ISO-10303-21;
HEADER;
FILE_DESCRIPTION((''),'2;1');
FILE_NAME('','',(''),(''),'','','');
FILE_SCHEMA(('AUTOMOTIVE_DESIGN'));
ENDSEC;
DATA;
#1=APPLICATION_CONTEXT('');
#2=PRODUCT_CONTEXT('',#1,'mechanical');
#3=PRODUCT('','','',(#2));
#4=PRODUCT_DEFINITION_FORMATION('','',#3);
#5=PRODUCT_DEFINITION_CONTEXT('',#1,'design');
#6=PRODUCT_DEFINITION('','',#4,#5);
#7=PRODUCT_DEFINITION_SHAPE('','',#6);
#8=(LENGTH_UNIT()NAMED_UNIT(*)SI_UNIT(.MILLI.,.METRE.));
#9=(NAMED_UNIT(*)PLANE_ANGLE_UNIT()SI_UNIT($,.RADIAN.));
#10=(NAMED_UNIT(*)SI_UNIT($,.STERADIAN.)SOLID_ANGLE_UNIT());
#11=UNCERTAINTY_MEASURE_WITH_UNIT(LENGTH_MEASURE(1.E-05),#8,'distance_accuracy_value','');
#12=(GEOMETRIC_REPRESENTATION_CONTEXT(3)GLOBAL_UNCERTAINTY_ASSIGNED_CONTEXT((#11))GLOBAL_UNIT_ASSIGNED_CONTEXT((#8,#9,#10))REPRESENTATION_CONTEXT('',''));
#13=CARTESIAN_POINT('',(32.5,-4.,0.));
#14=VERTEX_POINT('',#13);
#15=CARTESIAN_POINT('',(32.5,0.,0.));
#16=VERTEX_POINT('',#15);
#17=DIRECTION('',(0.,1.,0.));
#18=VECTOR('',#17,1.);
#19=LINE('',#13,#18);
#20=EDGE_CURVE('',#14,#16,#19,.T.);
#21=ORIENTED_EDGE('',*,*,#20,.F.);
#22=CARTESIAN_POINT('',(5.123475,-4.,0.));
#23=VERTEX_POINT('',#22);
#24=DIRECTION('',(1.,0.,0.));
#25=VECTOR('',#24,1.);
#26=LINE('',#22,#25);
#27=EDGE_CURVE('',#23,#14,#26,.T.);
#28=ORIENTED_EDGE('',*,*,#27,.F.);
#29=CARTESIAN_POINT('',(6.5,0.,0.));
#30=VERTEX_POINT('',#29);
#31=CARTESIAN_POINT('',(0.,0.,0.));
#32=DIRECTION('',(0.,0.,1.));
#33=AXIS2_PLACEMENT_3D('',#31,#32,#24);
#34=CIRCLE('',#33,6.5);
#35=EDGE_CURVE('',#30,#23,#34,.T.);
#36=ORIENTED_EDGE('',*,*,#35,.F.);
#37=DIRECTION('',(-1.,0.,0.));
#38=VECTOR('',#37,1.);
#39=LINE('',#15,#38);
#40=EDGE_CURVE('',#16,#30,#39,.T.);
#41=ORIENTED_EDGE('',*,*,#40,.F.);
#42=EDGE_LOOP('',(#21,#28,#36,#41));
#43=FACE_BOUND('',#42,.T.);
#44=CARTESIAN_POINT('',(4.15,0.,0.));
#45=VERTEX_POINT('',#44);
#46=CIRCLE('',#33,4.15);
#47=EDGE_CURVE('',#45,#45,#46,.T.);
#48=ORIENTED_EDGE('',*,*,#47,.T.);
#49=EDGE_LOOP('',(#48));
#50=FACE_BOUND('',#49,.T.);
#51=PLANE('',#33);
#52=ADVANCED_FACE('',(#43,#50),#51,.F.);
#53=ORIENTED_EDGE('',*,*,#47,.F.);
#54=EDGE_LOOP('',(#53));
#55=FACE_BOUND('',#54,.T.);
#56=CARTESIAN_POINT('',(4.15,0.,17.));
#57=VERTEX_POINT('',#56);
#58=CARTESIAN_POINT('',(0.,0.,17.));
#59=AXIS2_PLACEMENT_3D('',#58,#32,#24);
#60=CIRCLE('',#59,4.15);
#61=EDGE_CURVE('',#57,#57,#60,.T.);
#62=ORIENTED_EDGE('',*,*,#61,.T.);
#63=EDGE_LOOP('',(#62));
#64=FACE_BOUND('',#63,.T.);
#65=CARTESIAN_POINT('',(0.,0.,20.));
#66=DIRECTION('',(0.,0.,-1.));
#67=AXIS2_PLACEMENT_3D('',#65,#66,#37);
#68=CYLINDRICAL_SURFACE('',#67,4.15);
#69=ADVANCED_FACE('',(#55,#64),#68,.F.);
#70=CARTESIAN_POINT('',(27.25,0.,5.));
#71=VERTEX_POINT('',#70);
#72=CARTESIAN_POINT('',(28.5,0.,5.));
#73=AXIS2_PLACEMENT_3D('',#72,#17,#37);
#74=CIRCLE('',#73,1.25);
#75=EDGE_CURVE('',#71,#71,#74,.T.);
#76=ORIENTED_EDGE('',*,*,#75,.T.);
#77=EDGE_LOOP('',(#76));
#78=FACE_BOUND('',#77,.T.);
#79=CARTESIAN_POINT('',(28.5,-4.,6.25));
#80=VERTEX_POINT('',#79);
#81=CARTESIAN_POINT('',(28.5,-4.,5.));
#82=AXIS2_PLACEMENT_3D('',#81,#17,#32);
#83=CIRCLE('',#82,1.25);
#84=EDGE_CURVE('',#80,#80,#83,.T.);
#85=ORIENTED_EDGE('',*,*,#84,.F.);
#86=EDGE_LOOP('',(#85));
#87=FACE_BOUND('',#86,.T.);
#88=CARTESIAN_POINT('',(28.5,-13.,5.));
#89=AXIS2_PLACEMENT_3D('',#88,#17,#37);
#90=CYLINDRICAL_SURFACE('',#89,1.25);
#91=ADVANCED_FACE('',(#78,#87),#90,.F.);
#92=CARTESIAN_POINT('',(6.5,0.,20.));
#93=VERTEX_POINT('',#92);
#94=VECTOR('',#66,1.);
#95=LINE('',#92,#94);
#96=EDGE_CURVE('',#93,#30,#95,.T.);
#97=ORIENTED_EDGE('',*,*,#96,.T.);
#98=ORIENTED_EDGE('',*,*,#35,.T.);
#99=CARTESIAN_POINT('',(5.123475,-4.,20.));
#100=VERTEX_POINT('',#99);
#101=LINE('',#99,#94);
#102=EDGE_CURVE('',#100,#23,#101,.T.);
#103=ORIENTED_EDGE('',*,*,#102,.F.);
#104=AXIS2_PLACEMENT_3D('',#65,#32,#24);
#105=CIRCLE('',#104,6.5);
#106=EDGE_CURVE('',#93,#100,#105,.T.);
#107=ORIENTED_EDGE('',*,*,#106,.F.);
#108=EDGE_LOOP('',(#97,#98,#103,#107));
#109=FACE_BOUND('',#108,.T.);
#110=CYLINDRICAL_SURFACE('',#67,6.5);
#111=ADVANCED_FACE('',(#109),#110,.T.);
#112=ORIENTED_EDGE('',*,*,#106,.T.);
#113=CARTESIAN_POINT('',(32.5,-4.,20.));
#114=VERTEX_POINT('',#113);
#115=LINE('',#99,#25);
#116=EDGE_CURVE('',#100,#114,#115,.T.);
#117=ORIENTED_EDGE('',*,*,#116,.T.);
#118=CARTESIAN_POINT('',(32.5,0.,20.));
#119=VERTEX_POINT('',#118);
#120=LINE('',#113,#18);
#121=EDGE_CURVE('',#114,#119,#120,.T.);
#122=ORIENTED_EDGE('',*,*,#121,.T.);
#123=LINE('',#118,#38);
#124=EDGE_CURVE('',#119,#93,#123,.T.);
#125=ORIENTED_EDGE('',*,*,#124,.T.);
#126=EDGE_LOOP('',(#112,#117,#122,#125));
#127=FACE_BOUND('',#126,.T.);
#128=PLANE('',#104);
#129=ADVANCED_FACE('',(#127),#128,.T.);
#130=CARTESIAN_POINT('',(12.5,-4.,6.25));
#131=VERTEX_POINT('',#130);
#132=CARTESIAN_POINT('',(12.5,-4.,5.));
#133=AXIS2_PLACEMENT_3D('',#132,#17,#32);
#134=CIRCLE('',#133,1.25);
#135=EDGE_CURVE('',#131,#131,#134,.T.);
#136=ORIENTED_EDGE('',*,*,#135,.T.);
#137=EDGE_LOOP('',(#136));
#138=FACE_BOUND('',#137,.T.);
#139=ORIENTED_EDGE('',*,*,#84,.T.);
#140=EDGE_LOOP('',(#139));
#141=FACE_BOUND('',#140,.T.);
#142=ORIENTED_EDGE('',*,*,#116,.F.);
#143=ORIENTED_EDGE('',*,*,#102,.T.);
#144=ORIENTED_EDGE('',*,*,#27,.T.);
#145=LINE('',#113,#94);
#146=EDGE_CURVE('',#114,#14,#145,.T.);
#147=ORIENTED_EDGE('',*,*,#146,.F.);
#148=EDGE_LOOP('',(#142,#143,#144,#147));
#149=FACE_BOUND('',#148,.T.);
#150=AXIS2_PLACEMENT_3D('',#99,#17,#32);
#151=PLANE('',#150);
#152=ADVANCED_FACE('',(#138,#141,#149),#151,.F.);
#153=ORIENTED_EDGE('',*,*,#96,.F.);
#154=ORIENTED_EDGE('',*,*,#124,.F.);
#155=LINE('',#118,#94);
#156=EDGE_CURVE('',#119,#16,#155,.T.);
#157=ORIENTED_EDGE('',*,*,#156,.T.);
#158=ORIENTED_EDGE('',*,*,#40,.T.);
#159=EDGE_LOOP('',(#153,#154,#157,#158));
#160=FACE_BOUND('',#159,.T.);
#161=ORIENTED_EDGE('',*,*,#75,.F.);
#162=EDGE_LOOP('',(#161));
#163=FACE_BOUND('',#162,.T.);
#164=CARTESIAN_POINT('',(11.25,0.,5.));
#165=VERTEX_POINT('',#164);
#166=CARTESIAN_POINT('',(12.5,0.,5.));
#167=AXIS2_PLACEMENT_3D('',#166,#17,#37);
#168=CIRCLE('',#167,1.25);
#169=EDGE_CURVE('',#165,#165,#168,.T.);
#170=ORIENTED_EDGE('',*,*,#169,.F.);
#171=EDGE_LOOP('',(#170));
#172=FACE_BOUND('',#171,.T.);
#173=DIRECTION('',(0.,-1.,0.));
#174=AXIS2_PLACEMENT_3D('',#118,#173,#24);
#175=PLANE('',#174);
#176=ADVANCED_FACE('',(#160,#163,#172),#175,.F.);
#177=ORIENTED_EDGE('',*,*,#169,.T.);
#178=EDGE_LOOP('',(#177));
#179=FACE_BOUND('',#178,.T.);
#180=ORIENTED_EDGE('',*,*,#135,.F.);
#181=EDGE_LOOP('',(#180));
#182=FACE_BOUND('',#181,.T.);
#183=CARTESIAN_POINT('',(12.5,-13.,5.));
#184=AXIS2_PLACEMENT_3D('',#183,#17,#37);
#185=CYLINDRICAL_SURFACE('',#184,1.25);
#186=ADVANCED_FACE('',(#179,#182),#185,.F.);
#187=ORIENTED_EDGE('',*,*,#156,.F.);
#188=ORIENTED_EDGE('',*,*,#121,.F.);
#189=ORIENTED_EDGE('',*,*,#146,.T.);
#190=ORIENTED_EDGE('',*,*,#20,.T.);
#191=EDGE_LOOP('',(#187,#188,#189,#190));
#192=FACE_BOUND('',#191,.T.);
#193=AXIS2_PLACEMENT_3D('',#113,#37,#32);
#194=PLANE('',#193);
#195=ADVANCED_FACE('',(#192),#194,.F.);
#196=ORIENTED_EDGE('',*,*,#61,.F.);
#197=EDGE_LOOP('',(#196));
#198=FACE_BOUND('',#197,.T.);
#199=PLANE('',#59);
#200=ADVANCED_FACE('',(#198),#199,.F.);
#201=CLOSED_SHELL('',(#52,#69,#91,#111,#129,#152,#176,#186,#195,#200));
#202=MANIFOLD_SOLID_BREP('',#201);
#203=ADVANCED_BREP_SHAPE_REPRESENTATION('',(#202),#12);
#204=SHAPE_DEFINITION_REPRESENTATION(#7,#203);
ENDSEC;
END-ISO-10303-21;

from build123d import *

# Parameters (mm, degrees)
SKETCH_1_R          = 4.15
EXTRUDE_1_DEPTH     = 20
SKETCH_2_R          = 4.923200542
EXTRUDE_2_DEPTH     = 3
SKETCH_3_R          = 1.25
CUT_EXTRUDE_1_DEPTH = 13


with BuildPart() as part:
    # Эскиз1 → Бобышка-Вытянуть1 (new body)
    with BuildSketch(Plane.XY):
        with BuildLine():
            Line((5.123475383, -4), (32.5, -4))
            Line((32.5, -4), (32.5, 0))
            Line((32.5, 0), (6.5, 0))
            ThreePointArc((6.5, 0), (-6.146242348, 2.115113473), (5.123475383, -4))
        make_face()
        Circle(SKETCH_1_R, mode=Mode.SUBTRACT)
    extrude(amount=EXTRUDE_1_DEPTH)

    # Эскиз2 → Бобышка-Вытянуть2 (add)
    with BuildSketch(Plane.XY.offset(20)):
        Circle(SKETCH_2_R)
    extrude(amount=-EXTRUDE_2_DEPTH)

    # Эскиз3 → Вырез-Вытянуть1 (cut)
    with BuildSketch(Plane(origin=(0, 0, 0), x_dir=(1, 0, 0), z_dir=(0, 1, 0))):
        with Locations((12.5, -5)):
            Circle(SKETCH_3_R)
        with Locations((28.5, -5)):
            Circle(SKETCH_3_R)
    extrude(amount=-CUT_EXTRUDE_1_DEPTH, mode=Mode.SUBTRACT)


solid = part.part
